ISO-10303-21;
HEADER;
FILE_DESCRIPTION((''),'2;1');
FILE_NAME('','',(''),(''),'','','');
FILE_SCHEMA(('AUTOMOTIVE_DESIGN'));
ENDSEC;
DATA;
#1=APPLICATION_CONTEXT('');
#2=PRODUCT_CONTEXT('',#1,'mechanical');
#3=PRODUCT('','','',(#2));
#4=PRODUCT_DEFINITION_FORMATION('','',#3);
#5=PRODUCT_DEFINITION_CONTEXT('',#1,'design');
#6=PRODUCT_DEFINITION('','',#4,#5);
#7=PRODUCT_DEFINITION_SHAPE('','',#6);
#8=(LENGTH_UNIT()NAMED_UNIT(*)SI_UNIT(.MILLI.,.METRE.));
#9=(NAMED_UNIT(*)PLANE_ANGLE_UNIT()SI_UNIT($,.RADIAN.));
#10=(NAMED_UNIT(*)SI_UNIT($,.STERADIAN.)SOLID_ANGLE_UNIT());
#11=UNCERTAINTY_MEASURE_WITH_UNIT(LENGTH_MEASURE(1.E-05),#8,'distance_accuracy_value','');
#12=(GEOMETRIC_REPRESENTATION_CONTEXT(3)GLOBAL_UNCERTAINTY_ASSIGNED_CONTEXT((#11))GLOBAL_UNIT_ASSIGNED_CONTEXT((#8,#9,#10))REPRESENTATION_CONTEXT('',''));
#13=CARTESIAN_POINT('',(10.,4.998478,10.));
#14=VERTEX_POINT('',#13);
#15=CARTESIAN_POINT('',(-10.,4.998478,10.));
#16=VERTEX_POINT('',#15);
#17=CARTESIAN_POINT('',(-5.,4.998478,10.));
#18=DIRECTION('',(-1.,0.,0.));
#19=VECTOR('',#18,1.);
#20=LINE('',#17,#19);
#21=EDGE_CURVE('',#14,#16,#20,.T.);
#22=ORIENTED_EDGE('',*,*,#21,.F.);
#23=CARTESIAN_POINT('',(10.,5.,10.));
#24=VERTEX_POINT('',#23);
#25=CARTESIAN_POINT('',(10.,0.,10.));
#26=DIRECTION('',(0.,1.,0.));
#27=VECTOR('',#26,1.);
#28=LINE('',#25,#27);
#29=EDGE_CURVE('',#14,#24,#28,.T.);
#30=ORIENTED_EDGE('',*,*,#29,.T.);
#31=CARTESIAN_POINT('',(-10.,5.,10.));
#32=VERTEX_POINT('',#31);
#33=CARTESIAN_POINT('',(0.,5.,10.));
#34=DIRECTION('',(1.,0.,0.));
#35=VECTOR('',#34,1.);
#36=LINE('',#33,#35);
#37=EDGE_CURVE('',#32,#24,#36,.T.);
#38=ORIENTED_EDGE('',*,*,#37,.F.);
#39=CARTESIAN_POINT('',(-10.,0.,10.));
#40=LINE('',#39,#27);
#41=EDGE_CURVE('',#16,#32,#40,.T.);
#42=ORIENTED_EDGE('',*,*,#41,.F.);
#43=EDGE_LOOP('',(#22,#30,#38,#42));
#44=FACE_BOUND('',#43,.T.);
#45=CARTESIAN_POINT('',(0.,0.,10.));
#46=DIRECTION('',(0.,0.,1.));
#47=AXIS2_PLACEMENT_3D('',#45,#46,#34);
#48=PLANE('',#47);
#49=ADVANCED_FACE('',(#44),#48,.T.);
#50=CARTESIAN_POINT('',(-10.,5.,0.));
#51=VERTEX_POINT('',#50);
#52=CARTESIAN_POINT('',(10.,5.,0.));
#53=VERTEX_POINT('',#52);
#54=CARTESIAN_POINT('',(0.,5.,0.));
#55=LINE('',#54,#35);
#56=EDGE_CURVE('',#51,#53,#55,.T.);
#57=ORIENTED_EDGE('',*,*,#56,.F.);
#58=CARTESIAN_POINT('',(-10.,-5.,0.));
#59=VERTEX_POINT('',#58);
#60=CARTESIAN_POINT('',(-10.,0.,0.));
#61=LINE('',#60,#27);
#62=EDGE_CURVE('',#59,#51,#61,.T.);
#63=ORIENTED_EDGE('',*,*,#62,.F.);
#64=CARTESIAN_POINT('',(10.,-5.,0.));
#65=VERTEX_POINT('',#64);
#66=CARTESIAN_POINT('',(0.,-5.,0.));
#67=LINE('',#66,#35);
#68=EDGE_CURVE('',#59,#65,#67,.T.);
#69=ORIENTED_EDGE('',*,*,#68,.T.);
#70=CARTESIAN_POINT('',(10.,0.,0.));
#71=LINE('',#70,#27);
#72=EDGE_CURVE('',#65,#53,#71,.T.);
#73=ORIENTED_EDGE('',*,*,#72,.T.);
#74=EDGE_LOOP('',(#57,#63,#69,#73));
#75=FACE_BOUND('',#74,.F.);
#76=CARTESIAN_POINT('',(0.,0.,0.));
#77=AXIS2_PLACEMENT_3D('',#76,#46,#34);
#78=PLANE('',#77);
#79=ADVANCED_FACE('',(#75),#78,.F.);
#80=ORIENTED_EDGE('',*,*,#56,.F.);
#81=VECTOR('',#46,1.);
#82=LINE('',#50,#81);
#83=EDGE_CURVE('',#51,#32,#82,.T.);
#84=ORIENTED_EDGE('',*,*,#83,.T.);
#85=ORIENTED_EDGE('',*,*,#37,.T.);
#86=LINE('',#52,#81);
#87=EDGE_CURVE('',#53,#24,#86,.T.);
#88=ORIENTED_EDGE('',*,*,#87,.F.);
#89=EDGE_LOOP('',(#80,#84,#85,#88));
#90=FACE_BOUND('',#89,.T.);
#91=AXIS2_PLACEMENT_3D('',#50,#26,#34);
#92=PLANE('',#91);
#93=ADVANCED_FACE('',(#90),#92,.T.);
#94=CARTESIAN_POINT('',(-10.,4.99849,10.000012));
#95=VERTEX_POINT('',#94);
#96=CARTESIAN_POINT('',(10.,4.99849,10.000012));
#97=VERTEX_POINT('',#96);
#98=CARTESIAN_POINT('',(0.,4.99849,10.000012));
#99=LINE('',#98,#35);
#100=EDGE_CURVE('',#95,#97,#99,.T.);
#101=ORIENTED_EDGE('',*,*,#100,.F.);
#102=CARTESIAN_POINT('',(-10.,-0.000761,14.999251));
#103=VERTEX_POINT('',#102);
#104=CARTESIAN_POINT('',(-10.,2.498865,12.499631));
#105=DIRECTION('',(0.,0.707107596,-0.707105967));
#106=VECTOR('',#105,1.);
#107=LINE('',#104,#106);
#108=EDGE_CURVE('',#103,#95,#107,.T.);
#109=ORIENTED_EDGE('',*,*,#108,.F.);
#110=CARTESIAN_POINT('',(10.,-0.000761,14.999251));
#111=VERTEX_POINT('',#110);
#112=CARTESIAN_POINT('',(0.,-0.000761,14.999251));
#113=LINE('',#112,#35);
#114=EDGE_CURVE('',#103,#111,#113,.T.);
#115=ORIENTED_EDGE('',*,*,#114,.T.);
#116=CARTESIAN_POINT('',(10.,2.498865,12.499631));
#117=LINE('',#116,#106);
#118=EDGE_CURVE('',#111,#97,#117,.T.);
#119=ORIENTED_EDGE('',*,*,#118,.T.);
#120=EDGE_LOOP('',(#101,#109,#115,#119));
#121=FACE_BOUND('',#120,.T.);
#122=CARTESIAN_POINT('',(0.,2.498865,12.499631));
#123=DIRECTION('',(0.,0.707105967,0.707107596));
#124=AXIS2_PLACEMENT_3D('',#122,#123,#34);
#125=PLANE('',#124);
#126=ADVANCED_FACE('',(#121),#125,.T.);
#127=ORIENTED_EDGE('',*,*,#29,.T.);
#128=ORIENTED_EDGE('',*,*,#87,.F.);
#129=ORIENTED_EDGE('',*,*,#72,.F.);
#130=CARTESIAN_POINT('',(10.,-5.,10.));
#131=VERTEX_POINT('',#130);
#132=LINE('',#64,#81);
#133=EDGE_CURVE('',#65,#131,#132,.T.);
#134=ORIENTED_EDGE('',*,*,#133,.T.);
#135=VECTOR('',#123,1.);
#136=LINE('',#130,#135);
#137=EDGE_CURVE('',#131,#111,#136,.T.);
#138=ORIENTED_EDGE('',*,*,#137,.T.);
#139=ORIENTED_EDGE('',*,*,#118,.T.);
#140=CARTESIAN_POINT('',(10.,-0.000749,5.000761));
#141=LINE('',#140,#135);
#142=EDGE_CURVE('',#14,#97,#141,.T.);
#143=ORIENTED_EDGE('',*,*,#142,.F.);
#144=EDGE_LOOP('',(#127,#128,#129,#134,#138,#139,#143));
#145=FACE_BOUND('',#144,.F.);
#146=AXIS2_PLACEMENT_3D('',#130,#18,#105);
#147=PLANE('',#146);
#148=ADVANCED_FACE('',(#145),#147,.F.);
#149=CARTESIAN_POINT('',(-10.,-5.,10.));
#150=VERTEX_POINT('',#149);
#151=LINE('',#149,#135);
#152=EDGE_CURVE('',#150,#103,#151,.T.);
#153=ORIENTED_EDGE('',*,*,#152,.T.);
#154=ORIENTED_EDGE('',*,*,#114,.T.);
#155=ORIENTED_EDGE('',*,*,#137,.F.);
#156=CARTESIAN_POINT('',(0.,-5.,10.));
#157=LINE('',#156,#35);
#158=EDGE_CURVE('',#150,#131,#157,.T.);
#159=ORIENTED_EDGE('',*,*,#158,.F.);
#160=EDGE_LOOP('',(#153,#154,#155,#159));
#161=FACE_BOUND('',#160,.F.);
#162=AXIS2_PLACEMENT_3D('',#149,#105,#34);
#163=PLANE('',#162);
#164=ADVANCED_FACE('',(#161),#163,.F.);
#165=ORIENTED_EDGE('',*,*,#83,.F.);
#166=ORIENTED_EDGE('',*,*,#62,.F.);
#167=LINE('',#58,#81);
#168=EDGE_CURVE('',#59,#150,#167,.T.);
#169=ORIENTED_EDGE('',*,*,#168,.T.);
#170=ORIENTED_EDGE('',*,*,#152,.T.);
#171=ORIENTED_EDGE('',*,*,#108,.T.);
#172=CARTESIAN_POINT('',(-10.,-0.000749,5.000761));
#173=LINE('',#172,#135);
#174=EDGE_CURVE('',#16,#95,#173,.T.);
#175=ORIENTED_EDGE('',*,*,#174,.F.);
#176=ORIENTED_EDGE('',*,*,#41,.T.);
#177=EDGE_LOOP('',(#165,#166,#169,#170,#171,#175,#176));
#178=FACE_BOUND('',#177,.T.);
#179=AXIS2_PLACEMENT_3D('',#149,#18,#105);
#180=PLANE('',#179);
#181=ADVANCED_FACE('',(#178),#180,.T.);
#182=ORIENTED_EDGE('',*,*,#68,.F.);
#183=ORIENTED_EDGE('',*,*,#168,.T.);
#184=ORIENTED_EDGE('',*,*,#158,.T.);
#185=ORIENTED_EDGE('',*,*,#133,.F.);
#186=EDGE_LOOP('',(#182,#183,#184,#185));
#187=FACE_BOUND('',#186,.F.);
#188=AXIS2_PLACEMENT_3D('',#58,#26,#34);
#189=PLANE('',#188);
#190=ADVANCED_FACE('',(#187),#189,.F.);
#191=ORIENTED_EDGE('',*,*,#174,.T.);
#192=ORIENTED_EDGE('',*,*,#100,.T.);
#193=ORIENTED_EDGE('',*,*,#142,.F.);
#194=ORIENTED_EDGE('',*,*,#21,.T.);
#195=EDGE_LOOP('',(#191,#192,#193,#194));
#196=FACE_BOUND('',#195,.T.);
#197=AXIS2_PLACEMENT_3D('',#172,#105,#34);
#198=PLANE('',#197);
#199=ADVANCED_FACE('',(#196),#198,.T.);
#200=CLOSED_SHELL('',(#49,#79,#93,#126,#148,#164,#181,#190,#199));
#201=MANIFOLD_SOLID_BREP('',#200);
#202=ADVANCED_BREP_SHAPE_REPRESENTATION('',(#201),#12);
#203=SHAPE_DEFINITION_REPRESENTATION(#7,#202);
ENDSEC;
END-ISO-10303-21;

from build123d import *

# Parameters (mm, degrees)
BOX001_W               = 20
BOX001_H               = 7.07
BOX001_DEPTH           = 7.07
BOX001_PLACEMENT_ANGLE = 44.999934
BOX_W                  = 20
BOX_H                  = 10
BOX_DEPTH              = 10


with BuildPart() as base:
    # Box001 → Box001 (new body)
    with BuildSketch(Plane.XY):
        with Locations((10, 3.535)):
            Rectangle(BOX001_W, BOX001_H)
    extrude(amount=BOX001_DEPTH)


with BuildPart() as base_1:
    # Box001 placement: moved
    add(base.part.moved(Location((-10, -5, 10))).rotate(Axis((-10, -5, 10), (-1, 0, 0)), BOX001_PLACEMENT_ANGLE))


with BuildPart() as fusion:
    # Box → Box (new body)
    with BuildSketch(Plane(origin=(-10, -5, 0), x_dir=(1, 0, 0), z_dir=(0, 0, 1))):
        with Locations((10, 5)):
            Rectangle(BOX_W, BOX_H)
    extrude(amount=BOX_DEPTH)

    # Fusion: union Base
    add(base_1.part)


solid = fusion.part
